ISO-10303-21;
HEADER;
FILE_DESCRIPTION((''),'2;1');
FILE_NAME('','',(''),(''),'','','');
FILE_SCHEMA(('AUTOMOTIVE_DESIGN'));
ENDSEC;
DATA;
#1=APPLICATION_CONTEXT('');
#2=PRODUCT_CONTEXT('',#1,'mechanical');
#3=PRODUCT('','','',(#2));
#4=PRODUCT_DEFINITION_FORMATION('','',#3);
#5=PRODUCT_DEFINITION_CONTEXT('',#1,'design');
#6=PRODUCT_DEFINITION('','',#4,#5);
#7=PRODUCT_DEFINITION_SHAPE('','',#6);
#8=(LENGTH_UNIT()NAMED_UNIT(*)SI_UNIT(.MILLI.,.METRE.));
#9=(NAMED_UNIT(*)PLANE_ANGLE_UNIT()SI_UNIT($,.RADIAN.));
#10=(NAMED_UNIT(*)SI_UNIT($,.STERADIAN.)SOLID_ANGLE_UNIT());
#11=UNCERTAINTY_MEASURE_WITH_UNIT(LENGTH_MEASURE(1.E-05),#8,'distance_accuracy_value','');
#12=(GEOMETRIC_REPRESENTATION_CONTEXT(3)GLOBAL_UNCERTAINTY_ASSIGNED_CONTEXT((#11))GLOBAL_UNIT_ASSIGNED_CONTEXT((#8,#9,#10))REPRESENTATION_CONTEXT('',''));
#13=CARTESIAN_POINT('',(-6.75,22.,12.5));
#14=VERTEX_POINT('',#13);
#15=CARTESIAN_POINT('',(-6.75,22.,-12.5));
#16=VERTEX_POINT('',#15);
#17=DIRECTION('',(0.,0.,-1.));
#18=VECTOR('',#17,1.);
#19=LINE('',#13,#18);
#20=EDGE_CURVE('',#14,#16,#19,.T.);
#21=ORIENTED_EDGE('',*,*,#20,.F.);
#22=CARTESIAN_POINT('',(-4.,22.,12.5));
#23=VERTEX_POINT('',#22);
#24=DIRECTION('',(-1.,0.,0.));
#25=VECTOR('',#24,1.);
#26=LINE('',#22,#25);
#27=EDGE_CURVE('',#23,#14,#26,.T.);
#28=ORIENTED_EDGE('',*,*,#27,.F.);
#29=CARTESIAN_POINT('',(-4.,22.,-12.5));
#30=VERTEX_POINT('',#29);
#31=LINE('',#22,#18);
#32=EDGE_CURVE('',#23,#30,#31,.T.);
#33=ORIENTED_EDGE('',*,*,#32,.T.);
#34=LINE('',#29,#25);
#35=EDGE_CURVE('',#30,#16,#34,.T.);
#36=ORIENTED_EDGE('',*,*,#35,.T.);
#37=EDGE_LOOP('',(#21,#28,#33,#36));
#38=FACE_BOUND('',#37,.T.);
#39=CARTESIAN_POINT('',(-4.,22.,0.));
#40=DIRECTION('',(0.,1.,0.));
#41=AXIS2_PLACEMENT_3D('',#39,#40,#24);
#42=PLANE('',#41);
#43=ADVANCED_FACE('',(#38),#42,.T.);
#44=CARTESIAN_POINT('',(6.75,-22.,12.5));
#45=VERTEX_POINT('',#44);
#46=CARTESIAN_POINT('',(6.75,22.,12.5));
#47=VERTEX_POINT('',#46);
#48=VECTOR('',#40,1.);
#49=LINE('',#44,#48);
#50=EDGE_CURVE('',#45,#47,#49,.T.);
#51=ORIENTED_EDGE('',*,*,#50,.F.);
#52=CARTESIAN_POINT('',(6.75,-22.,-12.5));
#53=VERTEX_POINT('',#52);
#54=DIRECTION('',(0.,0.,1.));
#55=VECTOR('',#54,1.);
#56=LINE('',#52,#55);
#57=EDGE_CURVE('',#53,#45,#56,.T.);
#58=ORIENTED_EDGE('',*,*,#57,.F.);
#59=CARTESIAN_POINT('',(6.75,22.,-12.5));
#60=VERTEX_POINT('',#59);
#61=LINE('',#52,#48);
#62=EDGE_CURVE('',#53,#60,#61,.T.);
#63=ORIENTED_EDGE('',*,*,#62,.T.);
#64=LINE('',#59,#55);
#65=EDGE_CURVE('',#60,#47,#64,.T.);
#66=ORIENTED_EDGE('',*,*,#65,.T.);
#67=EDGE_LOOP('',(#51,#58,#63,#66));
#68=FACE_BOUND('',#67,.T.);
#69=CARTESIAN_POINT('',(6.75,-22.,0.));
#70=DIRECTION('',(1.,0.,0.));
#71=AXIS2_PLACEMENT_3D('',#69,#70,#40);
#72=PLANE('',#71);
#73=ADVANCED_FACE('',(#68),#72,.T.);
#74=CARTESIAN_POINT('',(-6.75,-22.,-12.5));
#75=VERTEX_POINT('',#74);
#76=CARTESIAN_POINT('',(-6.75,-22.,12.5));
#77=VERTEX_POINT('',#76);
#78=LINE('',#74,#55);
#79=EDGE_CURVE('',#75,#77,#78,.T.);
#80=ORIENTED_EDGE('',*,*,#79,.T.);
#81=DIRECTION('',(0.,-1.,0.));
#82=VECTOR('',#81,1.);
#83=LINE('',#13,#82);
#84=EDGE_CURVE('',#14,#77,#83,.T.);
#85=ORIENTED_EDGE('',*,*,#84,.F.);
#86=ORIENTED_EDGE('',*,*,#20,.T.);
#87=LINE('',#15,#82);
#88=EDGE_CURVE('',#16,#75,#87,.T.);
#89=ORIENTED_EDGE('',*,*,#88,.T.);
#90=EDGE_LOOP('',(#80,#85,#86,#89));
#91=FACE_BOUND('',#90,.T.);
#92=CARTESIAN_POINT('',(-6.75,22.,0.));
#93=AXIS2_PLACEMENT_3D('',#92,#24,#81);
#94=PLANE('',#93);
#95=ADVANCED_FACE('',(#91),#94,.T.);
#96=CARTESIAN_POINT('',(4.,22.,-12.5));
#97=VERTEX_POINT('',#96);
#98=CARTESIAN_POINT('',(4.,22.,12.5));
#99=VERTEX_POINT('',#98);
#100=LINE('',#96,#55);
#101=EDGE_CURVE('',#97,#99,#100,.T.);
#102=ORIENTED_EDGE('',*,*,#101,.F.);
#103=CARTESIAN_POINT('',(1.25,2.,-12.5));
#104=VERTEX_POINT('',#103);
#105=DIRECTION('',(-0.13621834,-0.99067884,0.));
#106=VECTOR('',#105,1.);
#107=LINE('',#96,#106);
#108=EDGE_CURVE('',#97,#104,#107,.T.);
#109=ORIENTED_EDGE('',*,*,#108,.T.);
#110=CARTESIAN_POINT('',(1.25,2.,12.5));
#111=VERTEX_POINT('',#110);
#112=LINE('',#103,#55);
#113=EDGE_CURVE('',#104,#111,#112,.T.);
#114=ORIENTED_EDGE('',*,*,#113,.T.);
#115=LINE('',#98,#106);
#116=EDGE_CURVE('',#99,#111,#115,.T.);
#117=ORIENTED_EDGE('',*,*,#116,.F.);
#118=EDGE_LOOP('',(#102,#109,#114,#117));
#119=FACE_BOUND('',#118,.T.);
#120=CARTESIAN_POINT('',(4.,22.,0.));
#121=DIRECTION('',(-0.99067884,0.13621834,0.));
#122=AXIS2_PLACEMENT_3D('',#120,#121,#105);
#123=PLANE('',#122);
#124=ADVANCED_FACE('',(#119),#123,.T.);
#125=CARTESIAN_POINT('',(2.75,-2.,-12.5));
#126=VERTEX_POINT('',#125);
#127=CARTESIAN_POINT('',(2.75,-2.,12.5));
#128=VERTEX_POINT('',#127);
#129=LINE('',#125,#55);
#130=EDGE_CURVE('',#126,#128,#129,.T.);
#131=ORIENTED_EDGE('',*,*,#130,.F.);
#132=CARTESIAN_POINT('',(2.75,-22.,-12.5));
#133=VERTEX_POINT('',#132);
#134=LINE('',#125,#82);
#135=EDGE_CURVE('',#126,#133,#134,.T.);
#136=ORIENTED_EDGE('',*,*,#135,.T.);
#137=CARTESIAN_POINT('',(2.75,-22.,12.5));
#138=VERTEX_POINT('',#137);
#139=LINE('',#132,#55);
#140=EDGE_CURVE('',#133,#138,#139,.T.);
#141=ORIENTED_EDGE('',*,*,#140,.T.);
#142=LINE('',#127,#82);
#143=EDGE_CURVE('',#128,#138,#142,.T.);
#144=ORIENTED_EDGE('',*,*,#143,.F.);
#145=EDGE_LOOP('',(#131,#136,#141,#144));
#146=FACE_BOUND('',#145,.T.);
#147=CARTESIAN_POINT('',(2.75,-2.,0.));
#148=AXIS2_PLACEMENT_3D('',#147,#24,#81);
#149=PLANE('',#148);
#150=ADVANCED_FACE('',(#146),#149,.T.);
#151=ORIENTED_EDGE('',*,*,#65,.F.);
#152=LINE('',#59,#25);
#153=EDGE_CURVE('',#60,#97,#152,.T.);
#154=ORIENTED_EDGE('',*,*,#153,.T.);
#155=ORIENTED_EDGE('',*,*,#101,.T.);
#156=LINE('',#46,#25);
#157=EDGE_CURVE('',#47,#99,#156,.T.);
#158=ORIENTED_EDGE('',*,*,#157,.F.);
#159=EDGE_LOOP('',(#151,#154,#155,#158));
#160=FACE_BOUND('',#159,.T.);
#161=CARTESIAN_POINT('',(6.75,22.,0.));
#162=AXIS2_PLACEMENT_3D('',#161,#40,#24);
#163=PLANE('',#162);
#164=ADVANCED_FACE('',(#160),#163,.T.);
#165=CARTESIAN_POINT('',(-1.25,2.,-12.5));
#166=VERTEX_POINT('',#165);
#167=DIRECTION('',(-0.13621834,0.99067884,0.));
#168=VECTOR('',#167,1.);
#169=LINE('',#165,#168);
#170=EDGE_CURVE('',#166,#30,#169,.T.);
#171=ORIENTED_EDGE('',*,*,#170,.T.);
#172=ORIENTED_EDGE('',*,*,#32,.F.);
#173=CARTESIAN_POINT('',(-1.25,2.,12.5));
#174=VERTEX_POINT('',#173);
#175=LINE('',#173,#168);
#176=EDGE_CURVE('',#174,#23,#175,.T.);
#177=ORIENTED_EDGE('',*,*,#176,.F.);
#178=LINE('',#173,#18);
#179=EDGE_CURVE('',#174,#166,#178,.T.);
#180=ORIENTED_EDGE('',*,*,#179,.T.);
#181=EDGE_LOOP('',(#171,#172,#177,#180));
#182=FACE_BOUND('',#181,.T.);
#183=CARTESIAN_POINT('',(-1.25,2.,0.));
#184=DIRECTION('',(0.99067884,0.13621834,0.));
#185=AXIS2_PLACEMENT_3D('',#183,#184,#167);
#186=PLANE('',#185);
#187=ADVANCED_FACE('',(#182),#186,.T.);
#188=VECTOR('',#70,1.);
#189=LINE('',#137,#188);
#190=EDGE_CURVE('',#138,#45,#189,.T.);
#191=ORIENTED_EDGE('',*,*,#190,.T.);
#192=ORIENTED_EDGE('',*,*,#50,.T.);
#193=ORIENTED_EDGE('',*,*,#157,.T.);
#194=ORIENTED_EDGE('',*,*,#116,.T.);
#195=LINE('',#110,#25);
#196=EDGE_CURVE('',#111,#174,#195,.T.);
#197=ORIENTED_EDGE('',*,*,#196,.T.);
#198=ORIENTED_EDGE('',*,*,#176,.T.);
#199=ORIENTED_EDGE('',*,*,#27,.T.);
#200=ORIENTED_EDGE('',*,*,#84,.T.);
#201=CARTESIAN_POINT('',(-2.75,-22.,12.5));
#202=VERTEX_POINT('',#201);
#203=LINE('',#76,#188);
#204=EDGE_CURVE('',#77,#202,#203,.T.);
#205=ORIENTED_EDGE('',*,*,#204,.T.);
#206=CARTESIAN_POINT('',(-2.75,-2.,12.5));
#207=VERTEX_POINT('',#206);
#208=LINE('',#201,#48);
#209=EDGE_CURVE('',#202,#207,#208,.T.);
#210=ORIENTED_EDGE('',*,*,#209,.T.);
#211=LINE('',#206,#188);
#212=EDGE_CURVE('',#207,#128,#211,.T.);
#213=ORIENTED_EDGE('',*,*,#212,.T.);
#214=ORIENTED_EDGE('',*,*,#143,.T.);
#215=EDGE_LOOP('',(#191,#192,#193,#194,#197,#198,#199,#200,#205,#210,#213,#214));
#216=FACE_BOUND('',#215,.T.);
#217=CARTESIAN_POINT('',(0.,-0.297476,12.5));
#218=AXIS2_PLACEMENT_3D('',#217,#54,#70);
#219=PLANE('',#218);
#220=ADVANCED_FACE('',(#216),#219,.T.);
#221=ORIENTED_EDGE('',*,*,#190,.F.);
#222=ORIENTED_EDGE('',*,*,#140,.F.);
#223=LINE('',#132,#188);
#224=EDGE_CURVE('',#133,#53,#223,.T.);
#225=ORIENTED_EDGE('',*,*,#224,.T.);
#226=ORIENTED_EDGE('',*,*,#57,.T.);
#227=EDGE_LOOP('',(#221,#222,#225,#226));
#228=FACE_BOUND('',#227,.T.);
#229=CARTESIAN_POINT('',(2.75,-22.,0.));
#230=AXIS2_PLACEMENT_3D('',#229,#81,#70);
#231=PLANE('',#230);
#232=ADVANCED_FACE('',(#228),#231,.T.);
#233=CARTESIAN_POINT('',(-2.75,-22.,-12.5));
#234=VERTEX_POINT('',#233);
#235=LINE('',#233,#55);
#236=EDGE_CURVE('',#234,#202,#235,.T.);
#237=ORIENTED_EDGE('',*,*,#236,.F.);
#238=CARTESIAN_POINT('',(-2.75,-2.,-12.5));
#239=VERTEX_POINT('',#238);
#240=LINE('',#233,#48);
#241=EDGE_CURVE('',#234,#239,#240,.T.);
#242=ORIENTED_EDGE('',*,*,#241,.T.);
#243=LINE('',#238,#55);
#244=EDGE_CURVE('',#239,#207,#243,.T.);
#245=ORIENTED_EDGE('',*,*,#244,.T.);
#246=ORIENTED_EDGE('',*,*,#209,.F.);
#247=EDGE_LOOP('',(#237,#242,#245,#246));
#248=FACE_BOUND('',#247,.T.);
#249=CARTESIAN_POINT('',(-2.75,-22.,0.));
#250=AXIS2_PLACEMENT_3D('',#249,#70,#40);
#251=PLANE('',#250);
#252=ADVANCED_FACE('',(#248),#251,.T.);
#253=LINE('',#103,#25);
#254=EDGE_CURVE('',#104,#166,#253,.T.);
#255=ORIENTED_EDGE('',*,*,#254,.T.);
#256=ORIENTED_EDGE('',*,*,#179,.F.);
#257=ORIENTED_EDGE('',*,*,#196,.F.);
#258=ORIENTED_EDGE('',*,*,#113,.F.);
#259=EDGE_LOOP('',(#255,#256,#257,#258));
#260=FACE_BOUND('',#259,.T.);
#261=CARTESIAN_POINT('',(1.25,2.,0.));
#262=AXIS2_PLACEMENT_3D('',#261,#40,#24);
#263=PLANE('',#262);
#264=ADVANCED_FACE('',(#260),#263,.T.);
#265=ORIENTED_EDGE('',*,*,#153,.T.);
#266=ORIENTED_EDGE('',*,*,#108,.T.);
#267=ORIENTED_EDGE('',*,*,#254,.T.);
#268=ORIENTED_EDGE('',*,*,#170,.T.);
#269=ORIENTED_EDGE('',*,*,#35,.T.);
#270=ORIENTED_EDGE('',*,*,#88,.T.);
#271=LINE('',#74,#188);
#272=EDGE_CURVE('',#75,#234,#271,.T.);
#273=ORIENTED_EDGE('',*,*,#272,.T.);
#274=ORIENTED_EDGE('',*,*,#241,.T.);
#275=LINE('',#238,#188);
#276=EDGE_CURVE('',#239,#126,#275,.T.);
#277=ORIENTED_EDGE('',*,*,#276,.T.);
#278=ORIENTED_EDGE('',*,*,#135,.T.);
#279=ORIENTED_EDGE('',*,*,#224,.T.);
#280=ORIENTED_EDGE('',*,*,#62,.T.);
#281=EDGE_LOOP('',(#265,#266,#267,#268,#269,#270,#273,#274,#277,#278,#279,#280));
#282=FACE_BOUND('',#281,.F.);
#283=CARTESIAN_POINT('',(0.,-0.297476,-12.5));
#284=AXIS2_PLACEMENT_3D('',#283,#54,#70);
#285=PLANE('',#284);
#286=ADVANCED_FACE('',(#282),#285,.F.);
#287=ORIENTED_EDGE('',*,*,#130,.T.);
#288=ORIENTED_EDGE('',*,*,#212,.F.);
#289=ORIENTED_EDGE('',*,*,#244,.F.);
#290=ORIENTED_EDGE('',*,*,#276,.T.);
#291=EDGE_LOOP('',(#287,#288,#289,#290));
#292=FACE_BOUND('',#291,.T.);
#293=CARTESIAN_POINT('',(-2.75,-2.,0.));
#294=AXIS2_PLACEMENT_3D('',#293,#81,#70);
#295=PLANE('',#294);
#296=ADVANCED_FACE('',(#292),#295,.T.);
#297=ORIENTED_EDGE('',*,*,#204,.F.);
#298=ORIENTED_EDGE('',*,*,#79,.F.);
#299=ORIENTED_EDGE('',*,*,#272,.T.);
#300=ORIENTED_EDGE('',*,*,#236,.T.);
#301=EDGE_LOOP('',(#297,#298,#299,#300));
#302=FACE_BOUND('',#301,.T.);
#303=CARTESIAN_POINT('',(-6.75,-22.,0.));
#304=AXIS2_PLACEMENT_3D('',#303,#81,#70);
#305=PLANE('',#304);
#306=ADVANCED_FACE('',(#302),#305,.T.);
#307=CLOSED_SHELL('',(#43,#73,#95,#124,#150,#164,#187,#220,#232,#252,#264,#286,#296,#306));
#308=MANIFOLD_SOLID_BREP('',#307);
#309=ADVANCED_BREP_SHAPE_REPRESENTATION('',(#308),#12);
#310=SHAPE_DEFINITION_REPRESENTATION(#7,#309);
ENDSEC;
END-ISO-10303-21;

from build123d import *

# Parameters (mm, degrees)
PAD_DEPTH = 12.5


with BuildPart() as part:
    # Sketch → Pad (new body, symmetric)
    with BuildSketch(Plane.XY):
        Polygon((-6.75, 22), (-6.75, -22), (-2.75, -22), (-2.75, -2), (2.75, -2), (2.75, -22), (6.75, -22), (6.75, 22), (4, 22), (1.25, 2), (-1.25, 2), (-4, 22), align=None)
    extrude(amount=PAD_DEPTH, both=True)


solid = part.part
